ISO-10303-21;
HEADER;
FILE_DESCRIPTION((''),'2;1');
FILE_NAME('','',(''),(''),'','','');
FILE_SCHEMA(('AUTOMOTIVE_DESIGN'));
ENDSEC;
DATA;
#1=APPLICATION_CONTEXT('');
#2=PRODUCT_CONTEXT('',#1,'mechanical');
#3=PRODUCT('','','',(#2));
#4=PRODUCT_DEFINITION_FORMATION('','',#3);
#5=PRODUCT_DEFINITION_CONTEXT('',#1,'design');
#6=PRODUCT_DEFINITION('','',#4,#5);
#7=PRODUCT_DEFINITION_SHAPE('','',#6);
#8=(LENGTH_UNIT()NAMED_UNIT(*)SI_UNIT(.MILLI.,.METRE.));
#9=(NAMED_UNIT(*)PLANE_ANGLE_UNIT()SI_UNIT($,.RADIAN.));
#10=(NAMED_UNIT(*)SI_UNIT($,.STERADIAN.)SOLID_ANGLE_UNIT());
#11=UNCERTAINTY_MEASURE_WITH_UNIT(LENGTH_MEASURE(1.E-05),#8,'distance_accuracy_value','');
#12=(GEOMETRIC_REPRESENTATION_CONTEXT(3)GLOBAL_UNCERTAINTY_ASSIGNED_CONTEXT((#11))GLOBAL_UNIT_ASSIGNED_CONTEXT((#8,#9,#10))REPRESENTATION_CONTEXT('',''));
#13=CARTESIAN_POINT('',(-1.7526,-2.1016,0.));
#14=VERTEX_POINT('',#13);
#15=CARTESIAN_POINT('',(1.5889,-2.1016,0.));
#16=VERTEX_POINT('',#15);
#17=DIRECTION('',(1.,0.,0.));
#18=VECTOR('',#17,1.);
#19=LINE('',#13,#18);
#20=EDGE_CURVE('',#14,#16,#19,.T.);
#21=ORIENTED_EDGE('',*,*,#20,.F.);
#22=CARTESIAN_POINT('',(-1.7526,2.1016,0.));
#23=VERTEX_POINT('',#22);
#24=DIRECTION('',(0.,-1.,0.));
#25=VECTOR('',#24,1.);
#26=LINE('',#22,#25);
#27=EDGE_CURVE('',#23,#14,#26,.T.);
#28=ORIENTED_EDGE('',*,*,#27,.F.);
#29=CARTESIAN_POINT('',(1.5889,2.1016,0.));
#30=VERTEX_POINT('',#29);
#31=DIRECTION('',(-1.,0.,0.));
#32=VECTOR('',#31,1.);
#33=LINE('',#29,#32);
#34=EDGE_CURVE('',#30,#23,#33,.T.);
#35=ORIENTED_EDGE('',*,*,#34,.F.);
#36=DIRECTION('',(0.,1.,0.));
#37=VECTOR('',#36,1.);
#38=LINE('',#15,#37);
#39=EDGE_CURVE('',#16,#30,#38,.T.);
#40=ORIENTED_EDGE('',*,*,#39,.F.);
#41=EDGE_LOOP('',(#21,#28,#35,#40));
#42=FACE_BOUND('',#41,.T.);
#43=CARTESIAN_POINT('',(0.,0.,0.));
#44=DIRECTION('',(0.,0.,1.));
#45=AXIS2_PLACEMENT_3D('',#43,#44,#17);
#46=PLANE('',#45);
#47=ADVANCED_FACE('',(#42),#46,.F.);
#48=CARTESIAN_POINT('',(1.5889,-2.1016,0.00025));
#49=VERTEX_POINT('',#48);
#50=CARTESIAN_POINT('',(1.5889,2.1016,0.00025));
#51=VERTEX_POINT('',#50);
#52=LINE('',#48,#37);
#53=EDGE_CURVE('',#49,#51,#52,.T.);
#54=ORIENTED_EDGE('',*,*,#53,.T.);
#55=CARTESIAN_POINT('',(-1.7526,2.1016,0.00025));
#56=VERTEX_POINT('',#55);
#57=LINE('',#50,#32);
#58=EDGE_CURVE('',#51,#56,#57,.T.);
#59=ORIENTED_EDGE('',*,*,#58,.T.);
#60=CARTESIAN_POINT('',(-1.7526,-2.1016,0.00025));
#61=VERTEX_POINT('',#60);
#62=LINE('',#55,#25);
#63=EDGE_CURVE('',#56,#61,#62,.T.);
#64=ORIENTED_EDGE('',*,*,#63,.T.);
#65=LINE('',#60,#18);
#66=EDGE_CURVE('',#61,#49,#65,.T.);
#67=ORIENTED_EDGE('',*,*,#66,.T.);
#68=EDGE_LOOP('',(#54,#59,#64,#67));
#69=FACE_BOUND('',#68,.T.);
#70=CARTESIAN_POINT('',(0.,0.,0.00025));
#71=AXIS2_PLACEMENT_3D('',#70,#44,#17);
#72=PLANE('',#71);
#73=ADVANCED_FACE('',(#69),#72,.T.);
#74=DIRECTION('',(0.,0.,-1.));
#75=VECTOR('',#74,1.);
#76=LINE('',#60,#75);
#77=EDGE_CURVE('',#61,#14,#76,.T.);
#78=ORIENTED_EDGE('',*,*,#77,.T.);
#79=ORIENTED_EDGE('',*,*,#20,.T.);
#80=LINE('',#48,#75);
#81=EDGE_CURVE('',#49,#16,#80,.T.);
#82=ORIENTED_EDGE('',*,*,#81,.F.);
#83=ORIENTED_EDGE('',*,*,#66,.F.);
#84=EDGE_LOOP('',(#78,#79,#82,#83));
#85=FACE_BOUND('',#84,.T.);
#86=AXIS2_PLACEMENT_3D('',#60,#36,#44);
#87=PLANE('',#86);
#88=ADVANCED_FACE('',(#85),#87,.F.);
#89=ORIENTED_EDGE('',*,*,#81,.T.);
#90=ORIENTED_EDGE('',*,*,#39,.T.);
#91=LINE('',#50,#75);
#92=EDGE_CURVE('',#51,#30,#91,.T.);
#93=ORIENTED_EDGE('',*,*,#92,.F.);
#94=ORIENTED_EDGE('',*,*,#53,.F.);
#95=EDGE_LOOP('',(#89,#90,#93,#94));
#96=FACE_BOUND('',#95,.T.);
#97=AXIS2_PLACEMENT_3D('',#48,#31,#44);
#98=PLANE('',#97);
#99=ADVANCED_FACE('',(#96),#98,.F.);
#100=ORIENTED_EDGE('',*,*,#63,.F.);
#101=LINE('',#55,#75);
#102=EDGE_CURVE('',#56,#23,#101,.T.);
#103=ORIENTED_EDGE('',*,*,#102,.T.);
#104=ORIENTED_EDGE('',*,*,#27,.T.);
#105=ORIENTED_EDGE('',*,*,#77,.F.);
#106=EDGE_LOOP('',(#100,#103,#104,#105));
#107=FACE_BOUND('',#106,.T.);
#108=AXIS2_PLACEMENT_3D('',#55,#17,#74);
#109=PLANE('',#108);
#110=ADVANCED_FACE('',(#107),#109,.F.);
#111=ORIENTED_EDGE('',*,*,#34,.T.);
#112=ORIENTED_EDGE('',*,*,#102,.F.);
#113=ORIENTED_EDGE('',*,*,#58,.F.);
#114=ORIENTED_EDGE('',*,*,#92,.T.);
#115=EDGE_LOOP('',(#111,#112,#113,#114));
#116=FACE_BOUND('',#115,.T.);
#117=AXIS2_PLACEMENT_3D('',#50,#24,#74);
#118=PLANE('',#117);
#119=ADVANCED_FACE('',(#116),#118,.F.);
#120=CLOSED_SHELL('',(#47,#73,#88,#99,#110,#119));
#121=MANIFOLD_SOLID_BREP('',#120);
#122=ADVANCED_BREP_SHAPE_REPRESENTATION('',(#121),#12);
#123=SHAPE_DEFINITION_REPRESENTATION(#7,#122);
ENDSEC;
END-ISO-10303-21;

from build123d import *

# Parameters (mm, degrees)
SKETCH_1_W      = 3.3415
SKETCH_1_H      = 4.2032
EXTRUDE_1_DEPTH = 0.00025


with BuildPart() as part:
    # 草图1 → 凸台-拉伸1 (new body)
    with BuildSketch(Plane.XY):
        with Locations((-0.08185, 0)):
            Rectangle(SKETCH_1_W, SKETCH_1_H)
    extrude(amount=EXTRUDE_1_DEPTH)


solid = part.part
